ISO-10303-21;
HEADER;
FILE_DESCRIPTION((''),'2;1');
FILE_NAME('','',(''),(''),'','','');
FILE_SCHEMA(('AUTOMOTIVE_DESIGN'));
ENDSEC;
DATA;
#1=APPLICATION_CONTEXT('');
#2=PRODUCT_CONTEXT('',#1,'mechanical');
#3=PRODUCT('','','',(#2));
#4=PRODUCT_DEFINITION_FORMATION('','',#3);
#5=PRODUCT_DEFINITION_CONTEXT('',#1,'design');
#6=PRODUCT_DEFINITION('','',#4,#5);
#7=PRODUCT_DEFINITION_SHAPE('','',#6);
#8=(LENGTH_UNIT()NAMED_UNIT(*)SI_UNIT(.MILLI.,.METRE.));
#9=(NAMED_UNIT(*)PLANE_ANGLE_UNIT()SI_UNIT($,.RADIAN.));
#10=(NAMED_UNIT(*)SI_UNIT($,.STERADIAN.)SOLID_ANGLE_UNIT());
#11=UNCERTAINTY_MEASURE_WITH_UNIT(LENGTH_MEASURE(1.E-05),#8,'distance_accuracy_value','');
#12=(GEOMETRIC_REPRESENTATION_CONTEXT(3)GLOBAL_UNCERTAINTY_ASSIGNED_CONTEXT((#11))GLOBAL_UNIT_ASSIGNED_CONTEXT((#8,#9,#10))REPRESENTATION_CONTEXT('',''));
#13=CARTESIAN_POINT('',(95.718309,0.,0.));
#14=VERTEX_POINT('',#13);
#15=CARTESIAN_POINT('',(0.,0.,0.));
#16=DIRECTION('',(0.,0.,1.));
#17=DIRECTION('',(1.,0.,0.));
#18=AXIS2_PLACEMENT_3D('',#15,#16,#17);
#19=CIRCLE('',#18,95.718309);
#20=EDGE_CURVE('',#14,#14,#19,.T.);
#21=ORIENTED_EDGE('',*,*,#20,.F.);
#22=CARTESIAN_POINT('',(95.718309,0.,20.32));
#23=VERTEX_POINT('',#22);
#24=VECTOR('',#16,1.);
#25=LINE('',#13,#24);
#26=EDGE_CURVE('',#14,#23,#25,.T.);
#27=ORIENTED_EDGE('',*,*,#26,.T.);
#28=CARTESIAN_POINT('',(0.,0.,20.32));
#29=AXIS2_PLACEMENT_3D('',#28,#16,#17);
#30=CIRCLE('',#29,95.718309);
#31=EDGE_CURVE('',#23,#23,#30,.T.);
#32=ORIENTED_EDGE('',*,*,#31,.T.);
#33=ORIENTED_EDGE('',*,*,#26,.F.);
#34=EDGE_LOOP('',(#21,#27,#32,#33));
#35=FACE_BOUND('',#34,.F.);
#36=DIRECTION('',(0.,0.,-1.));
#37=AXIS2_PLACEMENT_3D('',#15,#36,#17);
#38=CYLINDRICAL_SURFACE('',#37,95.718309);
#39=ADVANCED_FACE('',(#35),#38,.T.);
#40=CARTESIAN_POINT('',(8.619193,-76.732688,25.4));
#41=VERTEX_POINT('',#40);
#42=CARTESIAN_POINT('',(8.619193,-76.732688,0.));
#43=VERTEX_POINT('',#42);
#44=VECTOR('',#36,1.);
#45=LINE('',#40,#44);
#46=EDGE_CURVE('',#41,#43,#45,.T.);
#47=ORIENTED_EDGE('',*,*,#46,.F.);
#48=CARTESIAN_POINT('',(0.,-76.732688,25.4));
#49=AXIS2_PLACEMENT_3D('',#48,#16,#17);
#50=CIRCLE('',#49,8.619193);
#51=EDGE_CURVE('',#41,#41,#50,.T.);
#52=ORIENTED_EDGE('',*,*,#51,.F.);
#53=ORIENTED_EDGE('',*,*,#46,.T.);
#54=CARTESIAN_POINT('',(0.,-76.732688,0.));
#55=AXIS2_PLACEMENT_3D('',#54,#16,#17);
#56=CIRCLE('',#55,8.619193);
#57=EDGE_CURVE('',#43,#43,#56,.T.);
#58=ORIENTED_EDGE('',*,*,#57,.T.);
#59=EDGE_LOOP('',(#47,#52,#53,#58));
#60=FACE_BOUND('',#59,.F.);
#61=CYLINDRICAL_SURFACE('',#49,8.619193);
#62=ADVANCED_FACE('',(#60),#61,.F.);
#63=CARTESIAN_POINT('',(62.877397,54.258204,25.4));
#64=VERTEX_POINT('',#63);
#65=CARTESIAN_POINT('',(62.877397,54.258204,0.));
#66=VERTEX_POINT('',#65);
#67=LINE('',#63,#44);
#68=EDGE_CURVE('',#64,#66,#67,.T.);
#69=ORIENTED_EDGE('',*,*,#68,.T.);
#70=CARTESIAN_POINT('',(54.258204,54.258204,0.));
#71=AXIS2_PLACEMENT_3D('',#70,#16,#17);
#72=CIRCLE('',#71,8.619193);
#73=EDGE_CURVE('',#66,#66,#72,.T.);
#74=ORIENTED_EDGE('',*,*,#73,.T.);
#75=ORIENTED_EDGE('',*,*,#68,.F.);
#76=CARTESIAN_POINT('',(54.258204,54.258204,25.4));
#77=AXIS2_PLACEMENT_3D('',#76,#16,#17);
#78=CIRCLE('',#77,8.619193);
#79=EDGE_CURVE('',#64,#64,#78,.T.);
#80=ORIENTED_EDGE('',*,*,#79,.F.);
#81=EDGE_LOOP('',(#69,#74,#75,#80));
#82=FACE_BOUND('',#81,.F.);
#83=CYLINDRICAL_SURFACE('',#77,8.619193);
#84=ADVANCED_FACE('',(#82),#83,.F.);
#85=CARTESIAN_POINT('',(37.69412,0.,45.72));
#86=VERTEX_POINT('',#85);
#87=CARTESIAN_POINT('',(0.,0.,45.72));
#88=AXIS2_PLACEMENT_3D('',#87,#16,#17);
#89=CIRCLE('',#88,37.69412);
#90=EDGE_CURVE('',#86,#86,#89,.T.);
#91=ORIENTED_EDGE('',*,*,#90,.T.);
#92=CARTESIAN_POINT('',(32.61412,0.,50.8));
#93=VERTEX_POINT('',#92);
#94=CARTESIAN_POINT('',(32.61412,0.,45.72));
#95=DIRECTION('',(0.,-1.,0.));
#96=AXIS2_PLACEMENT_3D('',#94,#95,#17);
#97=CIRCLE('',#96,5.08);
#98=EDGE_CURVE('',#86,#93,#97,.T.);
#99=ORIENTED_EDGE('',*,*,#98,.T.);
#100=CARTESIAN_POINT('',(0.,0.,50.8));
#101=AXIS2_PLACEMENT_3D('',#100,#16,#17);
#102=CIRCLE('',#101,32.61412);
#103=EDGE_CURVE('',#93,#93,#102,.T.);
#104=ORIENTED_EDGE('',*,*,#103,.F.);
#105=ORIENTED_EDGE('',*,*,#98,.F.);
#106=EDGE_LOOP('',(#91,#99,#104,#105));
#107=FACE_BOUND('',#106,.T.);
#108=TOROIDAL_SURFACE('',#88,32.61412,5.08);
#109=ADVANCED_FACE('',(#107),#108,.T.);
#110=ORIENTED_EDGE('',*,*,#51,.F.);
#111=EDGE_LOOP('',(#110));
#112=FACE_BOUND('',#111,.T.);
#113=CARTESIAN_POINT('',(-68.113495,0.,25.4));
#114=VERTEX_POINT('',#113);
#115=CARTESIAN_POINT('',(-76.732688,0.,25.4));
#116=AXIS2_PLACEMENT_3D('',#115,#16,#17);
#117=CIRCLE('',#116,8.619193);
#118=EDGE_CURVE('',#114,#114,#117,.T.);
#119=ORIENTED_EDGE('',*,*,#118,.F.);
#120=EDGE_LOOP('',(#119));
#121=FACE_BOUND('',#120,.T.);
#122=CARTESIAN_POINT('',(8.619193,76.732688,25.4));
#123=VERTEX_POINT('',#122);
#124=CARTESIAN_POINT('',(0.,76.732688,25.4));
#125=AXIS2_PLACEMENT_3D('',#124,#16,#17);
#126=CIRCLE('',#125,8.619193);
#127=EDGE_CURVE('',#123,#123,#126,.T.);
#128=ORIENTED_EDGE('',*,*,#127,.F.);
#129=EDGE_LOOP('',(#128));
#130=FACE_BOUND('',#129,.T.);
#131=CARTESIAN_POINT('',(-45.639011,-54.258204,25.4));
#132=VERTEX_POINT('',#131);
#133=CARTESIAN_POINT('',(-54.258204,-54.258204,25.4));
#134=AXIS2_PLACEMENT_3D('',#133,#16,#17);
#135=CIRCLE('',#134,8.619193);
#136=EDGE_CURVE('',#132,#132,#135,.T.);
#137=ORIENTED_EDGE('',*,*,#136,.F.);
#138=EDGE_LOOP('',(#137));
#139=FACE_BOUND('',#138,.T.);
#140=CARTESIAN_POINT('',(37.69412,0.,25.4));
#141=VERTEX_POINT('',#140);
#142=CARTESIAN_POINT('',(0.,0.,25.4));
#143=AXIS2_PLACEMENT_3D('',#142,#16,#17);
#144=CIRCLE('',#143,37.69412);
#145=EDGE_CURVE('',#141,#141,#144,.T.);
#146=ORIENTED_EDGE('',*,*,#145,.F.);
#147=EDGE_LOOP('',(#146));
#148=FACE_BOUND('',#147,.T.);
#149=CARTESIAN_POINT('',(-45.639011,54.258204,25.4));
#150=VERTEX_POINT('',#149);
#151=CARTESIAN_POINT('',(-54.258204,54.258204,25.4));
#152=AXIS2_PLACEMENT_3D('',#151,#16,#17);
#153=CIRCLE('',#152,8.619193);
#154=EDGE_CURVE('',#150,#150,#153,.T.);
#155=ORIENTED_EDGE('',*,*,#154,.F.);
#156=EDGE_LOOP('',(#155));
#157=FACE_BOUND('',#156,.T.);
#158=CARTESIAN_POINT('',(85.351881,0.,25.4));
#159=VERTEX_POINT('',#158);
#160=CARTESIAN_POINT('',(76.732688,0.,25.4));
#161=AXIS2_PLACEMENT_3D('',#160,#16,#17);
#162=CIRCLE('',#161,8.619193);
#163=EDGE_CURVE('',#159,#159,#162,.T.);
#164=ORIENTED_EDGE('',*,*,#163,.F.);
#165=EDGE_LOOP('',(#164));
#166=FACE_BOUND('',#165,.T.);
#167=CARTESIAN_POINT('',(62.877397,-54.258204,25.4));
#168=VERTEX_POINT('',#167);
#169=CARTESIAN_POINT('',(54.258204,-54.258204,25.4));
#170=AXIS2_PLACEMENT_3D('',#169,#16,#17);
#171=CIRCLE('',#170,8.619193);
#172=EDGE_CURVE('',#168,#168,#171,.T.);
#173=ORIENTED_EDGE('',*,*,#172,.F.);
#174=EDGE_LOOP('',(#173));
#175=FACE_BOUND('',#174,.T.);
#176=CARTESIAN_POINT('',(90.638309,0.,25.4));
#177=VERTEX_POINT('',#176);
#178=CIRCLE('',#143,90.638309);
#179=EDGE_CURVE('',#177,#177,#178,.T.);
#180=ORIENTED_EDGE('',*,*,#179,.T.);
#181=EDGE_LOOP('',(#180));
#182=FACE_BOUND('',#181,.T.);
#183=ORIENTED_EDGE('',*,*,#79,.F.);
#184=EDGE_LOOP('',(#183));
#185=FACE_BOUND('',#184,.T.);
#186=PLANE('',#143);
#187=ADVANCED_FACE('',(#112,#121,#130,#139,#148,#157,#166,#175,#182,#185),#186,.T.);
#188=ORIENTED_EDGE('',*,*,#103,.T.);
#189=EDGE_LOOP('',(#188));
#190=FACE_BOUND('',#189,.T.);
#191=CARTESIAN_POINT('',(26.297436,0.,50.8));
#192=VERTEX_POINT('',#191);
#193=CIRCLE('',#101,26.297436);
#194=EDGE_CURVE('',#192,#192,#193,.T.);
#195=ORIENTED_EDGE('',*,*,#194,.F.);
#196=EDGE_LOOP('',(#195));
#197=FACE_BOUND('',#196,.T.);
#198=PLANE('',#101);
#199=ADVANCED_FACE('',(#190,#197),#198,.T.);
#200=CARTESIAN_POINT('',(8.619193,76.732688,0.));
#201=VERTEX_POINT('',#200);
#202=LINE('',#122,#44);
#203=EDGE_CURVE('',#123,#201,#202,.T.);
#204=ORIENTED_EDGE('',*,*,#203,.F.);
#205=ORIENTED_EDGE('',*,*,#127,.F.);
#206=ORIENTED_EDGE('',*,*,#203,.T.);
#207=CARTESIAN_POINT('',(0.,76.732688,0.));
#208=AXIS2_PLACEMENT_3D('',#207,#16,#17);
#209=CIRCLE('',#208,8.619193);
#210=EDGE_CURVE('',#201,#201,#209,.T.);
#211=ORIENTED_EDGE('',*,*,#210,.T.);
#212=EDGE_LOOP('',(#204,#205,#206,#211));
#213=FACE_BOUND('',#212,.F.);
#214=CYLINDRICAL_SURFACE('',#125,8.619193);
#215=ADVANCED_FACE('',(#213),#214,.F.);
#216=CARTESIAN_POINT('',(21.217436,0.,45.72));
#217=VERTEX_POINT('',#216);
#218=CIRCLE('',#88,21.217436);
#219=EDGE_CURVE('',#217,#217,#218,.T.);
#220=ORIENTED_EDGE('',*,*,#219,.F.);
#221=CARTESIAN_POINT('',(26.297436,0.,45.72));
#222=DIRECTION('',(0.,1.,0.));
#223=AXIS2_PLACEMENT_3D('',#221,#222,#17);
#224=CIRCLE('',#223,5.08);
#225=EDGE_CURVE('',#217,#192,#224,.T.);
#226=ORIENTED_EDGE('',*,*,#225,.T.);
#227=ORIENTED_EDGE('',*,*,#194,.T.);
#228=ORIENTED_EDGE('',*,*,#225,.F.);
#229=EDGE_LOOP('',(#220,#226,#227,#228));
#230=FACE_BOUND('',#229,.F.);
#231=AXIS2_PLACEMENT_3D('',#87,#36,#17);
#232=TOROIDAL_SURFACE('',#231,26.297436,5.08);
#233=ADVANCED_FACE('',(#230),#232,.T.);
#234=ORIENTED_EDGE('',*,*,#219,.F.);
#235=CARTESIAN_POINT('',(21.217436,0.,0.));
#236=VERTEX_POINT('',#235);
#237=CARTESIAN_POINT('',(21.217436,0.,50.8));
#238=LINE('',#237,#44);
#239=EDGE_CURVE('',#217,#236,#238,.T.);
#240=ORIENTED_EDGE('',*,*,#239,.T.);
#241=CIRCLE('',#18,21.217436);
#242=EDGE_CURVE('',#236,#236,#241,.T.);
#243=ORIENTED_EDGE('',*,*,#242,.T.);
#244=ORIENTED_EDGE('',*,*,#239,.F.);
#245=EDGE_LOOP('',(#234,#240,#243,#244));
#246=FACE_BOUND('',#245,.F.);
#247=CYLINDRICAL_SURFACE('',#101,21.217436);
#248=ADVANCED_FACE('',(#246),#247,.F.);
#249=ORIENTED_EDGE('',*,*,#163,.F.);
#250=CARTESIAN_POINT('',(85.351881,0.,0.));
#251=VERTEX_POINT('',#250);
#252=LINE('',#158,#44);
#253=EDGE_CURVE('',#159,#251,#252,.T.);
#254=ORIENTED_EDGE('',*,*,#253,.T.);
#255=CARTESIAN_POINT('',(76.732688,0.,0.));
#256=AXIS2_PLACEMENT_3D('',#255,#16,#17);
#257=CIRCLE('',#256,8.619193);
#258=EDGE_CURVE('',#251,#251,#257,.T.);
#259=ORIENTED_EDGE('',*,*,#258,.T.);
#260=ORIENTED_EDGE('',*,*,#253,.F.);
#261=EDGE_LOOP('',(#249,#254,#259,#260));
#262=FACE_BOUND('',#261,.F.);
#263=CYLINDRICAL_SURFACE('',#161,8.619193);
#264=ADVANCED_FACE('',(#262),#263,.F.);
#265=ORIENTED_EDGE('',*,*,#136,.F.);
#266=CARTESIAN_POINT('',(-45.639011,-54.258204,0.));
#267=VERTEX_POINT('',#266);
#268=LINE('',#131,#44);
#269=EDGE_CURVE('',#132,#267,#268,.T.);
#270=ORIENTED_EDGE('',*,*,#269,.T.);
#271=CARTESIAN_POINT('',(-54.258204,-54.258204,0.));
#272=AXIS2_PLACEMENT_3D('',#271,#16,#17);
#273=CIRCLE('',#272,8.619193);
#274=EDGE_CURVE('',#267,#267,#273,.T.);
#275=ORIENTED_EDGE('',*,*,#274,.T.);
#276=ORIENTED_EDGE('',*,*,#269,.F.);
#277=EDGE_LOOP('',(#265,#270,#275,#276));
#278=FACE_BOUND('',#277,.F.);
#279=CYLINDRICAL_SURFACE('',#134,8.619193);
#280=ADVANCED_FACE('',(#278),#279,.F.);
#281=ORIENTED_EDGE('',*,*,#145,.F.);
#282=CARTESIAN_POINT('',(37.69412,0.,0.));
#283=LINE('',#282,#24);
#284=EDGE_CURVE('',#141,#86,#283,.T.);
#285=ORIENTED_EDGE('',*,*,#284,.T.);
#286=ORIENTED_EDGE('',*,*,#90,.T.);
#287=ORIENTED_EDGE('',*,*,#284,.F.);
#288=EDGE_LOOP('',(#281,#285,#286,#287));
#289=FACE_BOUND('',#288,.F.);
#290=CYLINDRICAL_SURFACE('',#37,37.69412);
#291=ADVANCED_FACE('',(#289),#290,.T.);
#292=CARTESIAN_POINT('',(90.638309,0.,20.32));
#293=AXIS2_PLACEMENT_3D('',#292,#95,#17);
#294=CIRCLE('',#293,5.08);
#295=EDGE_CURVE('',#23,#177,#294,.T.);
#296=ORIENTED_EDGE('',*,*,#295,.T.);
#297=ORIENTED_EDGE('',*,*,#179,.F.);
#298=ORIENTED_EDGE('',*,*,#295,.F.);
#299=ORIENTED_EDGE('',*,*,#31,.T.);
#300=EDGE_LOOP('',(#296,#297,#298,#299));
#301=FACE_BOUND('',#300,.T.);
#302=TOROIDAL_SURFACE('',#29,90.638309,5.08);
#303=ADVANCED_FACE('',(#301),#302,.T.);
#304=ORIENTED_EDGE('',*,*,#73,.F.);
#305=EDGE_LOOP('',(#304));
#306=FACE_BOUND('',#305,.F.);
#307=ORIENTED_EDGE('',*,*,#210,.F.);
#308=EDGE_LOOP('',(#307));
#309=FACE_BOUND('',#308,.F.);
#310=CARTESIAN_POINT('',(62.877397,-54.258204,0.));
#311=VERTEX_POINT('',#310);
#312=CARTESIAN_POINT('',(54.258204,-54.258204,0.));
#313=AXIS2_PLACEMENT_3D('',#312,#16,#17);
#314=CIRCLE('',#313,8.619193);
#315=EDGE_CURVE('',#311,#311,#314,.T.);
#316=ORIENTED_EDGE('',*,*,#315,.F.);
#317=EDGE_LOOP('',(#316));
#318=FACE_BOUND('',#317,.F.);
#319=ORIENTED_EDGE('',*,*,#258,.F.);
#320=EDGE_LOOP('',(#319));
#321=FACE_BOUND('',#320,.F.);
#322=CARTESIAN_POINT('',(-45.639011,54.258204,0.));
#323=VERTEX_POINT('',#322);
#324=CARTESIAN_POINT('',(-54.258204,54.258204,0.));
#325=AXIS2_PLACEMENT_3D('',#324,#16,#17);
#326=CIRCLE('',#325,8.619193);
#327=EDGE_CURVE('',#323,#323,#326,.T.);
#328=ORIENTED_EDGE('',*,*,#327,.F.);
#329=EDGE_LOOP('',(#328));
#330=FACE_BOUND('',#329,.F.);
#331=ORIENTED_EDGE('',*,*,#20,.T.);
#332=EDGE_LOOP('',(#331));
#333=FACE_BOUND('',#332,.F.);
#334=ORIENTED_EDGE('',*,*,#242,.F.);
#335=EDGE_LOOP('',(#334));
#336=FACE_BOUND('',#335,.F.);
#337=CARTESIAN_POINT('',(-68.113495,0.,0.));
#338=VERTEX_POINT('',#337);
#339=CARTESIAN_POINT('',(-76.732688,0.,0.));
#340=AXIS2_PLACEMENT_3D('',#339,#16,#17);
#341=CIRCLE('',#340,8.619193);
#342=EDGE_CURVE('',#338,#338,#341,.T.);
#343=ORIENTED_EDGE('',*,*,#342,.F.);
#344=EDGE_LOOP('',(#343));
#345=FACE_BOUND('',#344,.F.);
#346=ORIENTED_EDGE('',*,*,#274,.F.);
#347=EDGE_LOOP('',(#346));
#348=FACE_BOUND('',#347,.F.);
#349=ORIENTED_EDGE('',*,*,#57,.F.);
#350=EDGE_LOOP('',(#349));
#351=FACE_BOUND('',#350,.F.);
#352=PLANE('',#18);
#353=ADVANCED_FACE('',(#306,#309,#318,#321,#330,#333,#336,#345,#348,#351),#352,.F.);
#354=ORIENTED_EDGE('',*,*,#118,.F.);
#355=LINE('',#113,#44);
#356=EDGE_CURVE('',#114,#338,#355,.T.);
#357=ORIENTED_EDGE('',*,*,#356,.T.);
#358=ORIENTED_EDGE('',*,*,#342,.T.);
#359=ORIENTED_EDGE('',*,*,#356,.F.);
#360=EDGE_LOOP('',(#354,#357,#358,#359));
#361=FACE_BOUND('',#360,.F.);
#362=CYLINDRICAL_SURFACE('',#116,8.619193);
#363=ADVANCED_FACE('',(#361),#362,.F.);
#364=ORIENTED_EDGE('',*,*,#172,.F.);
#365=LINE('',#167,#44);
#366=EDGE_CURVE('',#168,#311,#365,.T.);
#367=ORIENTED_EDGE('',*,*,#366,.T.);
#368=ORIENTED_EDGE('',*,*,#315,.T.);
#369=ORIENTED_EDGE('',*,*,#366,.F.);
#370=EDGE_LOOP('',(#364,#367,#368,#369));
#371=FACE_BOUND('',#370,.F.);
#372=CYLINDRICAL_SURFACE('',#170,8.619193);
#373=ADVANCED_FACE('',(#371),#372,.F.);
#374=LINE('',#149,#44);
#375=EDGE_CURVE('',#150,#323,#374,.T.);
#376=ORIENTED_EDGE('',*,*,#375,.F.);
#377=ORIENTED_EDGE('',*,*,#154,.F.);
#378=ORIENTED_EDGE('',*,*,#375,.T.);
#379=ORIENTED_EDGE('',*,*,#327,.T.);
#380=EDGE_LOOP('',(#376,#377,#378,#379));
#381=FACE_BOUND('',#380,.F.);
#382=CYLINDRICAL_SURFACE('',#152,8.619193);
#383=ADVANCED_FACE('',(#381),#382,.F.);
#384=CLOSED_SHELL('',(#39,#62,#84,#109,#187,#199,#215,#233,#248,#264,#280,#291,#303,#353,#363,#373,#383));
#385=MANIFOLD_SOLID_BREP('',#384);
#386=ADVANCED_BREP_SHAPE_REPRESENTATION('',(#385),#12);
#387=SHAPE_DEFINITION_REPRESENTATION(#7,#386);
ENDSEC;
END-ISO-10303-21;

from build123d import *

# Parameters (mm, degrees)
F0_R     = 37.69412
F1_DEPTH = 50.8
F0_R_2   = 95.718309
F2_DEPTH = 25.4
F3_R     = 8.619193
F4_DEPTH = 25.401
F5_R     = 21.217436
F6_DEPTH = 50.801
F7_R     = 5.08


with BuildPart() as f1:
    # F0 (on Top) → F1 (new body)
    with BuildSketch(Plane.XY):
        Circle(F0_R)
    extrude(amount=F1_DEPTH)

    # F0 (on Top) → F2 (join)
    with BuildSketch(Plane.XY):
        Circle(F0_R_2)
        Circle(F0_R, mode=Mode.SUBTRACT)
    extrude(amount=F2_DEPTH)

    # F3 (on face) → F4 (cut, through all)
    with BuildSketch(Plane.XY.offset(25.4)):
        with Locations((0, 76.732688)):
            Circle(F3_R)
        with Locations((-54.258204, 54.258204)):
            Circle(F3_R)
        with Locations((-76.732688, 0)):
            Circle(F3_R)
        with Locations((-54.258204, -54.258204)):
            Circle(F3_R)
        with Locations((0, -76.732688)):
            Circle(F3_R)
        with Locations((54.258204, -54.258204)):
            Circle(F3_R)
        with Locations((76.732688, 0)):
            Circle(F3_R)
        with Locations((54.258204, 54.258204)):
            Circle(F3_R)
    extrude(amount=-F4_DEPTH, mode=Mode.SUBTRACT)

    # F5 (on face) → F6 (cut, through all)
    with BuildSketch(Plane.XY.offset(50.8)):
        Circle(F5_R)
    extrude(amount=-F6_DEPTH, mode=Mode.SUBTRACT)

    # F7
    f7_edges = [f1.edges().sort_by_distance(p)[0] for p in [
        (-95.718309, 0, 25.4),
        (-37.69412, 0, 50.8),
        (-21.217436, 0, 50.8),
    ]]
    fillet(f7_edges, radius=F7_R)


solid = f1.part
